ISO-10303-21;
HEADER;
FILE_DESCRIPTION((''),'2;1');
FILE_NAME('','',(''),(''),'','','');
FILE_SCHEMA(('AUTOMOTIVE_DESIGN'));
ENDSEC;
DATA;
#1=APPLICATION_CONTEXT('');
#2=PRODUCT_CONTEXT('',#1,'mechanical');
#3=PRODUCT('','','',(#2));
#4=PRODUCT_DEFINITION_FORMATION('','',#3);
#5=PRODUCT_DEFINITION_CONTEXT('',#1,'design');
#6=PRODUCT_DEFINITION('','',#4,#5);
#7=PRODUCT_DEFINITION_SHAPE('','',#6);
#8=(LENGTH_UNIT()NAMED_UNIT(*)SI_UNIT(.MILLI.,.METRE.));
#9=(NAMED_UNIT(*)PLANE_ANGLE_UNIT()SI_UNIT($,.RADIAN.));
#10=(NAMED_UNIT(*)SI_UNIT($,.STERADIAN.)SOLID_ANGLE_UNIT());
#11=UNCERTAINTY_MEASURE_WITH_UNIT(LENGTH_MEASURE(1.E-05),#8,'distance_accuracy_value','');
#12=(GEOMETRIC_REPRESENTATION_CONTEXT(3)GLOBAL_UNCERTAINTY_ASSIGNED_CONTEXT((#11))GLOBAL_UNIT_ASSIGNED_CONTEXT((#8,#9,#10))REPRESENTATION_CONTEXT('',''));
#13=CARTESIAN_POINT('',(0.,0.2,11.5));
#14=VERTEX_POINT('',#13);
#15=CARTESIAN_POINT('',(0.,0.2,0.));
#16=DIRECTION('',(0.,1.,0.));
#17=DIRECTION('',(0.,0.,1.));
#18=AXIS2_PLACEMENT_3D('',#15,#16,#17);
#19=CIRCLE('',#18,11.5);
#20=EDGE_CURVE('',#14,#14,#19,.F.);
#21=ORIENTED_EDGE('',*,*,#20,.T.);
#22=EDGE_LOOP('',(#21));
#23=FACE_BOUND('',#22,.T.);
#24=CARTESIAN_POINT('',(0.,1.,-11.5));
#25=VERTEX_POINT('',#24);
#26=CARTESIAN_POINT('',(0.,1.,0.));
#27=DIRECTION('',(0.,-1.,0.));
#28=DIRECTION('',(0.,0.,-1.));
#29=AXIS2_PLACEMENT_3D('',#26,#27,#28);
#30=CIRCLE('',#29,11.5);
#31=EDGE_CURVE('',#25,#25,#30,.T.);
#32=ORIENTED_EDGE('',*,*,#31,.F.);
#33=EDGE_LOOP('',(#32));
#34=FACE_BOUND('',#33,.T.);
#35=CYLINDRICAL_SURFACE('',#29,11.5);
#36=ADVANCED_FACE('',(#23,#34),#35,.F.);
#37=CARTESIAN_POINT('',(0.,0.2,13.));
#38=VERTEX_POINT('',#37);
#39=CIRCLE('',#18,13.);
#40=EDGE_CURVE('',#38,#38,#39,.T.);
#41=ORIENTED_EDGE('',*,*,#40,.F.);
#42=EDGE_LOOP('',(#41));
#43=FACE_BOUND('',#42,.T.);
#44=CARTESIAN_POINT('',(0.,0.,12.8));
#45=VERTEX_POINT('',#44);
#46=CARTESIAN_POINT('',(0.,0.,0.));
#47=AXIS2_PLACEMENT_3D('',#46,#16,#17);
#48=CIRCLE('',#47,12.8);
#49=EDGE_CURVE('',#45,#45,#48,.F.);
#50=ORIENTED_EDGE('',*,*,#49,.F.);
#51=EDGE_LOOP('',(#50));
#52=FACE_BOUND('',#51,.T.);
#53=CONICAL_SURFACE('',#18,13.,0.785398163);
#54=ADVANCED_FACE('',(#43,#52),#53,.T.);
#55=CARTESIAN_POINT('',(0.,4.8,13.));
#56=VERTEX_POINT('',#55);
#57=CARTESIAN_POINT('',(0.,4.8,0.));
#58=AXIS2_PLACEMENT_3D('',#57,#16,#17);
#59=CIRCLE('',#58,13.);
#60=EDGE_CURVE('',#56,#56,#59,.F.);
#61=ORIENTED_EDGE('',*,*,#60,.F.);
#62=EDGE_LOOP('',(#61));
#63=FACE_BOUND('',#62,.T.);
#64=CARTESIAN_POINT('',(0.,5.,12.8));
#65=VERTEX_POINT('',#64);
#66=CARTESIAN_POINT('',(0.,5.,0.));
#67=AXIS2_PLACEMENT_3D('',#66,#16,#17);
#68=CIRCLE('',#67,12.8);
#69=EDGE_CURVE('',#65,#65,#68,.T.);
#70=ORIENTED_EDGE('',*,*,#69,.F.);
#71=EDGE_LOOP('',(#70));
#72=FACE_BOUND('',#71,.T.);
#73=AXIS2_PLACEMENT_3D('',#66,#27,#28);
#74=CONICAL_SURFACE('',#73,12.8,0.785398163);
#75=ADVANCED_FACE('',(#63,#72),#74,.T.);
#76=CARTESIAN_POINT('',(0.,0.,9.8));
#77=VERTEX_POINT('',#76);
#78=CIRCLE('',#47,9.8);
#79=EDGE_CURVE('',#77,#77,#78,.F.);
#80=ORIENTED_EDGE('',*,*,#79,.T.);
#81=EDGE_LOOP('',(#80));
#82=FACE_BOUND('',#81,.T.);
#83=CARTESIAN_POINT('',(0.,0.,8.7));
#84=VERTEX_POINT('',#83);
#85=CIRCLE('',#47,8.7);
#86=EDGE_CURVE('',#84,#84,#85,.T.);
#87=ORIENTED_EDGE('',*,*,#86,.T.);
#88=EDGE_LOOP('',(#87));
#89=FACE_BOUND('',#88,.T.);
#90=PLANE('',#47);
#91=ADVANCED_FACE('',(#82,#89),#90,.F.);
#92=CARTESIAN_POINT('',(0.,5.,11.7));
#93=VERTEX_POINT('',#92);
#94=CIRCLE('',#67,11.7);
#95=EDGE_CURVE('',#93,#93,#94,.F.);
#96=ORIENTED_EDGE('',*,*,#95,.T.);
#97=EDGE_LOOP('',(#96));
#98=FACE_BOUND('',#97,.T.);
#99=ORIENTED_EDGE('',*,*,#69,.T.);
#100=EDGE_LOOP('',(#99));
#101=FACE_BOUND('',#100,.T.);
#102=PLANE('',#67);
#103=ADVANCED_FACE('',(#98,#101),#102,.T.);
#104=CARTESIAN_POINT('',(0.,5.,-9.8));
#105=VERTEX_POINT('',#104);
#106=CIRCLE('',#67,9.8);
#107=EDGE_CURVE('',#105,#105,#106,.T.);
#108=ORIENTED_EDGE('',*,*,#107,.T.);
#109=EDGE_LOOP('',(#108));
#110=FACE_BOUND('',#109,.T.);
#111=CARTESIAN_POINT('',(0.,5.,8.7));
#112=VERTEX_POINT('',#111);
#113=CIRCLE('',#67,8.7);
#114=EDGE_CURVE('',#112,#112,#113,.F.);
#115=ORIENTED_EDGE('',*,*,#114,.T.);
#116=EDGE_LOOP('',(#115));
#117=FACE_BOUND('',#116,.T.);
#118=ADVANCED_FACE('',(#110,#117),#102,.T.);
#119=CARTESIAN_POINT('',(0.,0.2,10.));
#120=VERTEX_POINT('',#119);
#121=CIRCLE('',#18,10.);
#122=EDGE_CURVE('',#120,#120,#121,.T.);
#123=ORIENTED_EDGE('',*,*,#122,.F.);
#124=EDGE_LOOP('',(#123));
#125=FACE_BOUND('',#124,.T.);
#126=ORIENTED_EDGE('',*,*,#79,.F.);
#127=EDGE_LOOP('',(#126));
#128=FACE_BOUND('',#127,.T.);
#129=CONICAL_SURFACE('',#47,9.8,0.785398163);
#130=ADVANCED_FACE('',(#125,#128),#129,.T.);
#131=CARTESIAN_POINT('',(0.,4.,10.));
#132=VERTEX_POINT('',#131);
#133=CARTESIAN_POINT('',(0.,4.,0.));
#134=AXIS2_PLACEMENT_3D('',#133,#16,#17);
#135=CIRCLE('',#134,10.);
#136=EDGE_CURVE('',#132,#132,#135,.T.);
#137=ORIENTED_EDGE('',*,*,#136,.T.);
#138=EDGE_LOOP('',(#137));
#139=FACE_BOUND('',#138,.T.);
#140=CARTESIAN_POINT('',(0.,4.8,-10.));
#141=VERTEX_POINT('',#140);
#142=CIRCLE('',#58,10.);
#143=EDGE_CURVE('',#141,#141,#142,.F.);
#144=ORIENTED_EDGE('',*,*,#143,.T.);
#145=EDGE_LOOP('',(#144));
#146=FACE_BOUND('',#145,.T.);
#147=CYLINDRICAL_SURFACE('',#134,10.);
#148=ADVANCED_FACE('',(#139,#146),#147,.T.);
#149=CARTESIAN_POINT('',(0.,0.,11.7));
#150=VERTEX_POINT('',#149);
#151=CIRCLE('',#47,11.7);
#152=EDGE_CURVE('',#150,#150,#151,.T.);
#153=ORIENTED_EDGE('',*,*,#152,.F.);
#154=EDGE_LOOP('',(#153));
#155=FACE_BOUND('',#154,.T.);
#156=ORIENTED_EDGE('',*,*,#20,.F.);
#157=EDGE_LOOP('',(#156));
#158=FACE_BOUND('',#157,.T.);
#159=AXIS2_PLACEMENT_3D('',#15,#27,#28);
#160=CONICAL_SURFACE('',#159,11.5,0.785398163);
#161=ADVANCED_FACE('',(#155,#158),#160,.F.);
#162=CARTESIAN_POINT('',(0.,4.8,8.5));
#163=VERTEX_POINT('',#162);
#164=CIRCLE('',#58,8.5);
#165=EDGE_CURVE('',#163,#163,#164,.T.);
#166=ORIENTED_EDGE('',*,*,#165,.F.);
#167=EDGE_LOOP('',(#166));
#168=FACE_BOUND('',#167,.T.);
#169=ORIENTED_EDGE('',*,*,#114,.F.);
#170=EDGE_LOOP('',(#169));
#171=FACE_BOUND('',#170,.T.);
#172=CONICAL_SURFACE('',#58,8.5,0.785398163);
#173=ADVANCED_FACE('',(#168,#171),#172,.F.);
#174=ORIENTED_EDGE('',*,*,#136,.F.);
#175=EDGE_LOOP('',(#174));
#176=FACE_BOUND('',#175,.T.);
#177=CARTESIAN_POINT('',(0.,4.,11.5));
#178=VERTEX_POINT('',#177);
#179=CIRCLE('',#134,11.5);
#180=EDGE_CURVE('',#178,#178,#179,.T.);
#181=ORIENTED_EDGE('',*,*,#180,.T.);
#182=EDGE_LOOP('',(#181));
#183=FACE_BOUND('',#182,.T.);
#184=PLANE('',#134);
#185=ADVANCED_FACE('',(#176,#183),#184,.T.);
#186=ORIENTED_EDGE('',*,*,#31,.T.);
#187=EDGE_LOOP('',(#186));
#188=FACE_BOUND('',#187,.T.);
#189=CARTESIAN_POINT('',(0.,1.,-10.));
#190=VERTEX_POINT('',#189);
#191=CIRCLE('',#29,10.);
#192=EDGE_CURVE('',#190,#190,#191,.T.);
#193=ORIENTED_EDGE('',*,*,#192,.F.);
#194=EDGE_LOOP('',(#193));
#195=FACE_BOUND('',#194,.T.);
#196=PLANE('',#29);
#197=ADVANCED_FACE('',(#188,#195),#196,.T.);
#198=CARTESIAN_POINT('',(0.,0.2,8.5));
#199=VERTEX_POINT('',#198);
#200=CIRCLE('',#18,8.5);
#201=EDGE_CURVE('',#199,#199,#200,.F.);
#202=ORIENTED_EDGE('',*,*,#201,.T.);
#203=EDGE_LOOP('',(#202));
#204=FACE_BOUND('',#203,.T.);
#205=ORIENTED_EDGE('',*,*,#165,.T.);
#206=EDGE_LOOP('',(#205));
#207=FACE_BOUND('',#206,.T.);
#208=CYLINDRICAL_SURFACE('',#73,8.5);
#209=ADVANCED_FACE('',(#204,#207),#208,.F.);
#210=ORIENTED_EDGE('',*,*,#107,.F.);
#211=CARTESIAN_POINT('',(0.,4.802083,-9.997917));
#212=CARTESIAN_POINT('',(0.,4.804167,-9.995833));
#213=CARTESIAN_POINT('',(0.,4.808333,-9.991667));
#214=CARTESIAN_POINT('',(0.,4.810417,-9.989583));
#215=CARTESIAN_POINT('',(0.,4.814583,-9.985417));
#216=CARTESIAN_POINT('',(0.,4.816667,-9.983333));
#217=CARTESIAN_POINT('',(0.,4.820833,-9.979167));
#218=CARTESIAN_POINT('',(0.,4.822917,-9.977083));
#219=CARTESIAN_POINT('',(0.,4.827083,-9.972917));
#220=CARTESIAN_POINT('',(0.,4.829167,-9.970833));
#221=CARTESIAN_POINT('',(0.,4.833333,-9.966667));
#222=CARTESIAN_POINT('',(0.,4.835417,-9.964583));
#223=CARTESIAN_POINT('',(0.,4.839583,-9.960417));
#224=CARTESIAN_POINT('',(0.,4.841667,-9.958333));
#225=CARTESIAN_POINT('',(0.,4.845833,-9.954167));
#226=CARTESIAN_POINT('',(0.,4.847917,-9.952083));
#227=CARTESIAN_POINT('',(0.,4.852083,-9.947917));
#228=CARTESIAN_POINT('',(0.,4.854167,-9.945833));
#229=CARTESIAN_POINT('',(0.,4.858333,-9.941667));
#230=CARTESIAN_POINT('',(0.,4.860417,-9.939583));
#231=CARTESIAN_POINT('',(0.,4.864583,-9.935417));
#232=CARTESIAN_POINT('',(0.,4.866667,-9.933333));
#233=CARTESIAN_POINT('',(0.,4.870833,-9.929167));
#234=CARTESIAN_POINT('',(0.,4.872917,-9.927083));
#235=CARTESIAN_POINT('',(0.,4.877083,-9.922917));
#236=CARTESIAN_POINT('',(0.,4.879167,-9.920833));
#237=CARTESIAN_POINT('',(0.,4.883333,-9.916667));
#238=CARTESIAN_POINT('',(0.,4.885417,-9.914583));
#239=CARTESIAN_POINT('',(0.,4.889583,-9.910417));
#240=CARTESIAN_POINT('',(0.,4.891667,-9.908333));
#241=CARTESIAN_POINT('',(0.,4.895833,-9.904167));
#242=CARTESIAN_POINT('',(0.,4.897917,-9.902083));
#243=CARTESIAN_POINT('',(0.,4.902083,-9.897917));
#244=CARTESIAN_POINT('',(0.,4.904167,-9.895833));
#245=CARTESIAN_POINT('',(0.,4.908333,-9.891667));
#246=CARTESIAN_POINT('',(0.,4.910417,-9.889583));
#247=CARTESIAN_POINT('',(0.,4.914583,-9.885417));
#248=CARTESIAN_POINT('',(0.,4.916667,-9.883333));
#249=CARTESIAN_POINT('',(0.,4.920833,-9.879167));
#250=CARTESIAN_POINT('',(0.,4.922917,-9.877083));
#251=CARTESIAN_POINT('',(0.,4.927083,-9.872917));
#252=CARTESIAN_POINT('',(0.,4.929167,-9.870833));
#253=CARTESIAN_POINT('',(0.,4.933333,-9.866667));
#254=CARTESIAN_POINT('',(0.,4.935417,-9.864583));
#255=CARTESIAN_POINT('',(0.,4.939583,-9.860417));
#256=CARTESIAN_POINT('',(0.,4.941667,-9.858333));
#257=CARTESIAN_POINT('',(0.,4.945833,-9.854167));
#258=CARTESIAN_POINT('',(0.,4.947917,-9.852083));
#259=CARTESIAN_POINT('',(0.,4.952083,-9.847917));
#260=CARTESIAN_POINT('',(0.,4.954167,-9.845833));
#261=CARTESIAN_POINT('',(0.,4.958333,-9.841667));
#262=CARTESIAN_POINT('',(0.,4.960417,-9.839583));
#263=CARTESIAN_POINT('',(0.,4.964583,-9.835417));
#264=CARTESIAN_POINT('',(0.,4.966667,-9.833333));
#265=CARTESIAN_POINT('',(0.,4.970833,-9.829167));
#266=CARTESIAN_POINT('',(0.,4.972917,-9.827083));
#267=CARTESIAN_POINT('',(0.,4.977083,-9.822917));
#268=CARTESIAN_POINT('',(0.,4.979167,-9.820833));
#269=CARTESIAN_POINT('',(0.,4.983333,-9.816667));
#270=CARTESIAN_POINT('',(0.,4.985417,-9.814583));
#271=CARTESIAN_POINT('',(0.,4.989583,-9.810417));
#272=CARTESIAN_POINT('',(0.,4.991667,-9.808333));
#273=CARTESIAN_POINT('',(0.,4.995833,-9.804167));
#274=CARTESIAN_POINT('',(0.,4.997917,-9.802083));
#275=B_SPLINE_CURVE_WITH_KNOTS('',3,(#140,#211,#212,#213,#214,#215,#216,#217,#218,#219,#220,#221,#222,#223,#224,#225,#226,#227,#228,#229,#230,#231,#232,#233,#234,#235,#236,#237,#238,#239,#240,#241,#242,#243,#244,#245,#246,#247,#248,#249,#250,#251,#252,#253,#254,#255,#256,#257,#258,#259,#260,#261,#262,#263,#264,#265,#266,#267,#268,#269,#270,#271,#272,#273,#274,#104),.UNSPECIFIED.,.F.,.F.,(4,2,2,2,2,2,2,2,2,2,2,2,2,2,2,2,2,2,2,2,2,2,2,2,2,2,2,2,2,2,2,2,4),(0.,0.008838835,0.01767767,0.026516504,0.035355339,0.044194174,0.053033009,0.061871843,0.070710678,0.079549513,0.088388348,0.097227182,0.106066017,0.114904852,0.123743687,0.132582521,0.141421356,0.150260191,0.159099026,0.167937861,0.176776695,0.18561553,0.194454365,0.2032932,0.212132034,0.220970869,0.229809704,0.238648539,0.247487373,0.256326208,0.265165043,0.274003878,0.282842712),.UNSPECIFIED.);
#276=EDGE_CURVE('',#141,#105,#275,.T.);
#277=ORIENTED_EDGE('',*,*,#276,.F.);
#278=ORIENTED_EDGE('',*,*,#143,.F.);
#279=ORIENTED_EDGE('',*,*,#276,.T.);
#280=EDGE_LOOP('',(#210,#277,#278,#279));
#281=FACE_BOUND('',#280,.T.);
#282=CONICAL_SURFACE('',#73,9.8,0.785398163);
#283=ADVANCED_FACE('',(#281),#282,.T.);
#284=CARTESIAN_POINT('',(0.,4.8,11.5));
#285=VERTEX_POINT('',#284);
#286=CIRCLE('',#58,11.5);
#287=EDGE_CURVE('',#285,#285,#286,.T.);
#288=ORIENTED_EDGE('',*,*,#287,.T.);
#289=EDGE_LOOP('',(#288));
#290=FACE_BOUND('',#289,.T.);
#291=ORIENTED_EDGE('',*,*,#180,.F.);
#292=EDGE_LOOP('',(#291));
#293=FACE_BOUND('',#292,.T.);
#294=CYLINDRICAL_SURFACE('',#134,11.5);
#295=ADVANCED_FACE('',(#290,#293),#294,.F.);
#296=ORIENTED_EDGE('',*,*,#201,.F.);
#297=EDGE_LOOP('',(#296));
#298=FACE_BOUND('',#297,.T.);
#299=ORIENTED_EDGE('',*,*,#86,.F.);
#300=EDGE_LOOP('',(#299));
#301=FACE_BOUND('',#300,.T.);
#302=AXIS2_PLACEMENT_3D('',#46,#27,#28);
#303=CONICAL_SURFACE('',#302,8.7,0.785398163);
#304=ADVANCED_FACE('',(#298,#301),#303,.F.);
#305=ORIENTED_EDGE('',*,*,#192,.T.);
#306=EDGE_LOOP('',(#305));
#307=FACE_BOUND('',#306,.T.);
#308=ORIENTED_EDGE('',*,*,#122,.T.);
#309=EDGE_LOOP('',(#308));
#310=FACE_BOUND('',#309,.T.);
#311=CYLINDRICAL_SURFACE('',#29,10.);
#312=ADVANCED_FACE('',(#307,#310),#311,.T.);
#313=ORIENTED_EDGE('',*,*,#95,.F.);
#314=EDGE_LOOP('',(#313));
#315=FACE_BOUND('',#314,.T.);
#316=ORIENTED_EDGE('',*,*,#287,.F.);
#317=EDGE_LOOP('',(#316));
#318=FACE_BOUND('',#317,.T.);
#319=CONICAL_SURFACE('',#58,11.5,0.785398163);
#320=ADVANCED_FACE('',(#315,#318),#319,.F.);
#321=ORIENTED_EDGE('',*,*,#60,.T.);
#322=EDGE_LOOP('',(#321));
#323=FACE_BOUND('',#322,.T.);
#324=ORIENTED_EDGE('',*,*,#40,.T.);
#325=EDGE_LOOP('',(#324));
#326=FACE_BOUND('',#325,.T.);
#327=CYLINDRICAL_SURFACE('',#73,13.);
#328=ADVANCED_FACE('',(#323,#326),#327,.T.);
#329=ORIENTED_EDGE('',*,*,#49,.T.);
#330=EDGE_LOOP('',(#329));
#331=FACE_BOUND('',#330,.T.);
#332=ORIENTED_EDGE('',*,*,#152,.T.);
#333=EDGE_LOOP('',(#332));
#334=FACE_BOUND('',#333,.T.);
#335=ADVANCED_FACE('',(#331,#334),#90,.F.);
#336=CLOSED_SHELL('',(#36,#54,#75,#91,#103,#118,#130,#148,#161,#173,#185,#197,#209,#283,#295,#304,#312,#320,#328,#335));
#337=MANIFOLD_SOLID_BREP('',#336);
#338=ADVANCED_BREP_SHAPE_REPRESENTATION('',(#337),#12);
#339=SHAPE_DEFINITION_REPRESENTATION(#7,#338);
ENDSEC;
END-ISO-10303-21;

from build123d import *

# Parameters (mm, degrees)
SKETCH1_R           = 13
SKETCH1_R_2         = 8.5
BOSS_EXTRUDE1_DEPTH = 5
SKETCH2_R           = 11.5
SKETCH2_R_2         = 10
CUT_EXTRUDE1_DEPTH  = 1
CUT_EXTRUDE2_START  = -1
SKETCH3_R           = 11.5
SKETCH3_R_2         = 10
CUT_EXTRUDE2_DEPTH  = 1
CHAMFER1_SIZE       = 0.2


with BuildPart() as part:
    # Sketch1 → Boss-Extrude1 (new body)
    with BuildSketch(Plane(origin=(0, 0, 0), x_dir=(1, 0, 0), z_dir=(0, 1, 0))):
        with Locations(Location((0, 0, 0), (0, 0, 270))):
            Circle(SKETCH1_R)
        with Locations(Location((0, 0, 0), (0, 0, 270))):
            Circle(SKETCH1_R_2, mode=Mode.SUBTRACT)
    extrude(amount=BOSS_EXTRUDE1_DEPTH)

    # Sketch2 → Cut-Extrude1 (cut)
    with BuildSketch(Plane(origin=(0, 5, 0), x_dir=(1, 0, 0), z_dir=(0, 1, 0))):
        with Locations(Location((0, 0, 0), (0, 0, 270))):
            Circle(SKETCH2_R)
        with Locations(Location((0, 0, 0), (0, 0, 270))):
            Circle(SKETCH2_R_2, mode=Mode.SUBTRACT)
    extrude(amount=-CUT_EXTRUDE1_DEPTH, mode=Mode.SUBTRACT)

    # Sketch3 → Cut-Extrude2 (cut)
    with BuildSketch(Plane.XZ.offset(CUT_EXTRUDE2_START)):
        with Locations(Location((0, 0, 0), (0, 0, 90))):
            Circle(SKETCH3_R)
        with Locations(Location((0, 0, 0), (0, 0, 90))):
            Circle(SKETCH3_R_2, mode=Mode.SUBTRACT)
    extrude(amount=CUT_EXTRUDE2_DEPTH, mode=Mode.SUBTRACT)

    # Chamfer1
    chamfer1_edges = [part.edges().sort_by_distance(p)[0] for p in [
        (0, 5, -11.5),
        (0, 5, -10),
        (0, 0, -11.5),
        (0, 0, -13),
        (0, 0, -10),
        (0, 5, -13),
        (0, 0, -8.5),
        (0, 5, -8.5),
    ]]
    chamfer(chamfer1_edges, length=CHAMFER1_SIZE)


solid = part.part
